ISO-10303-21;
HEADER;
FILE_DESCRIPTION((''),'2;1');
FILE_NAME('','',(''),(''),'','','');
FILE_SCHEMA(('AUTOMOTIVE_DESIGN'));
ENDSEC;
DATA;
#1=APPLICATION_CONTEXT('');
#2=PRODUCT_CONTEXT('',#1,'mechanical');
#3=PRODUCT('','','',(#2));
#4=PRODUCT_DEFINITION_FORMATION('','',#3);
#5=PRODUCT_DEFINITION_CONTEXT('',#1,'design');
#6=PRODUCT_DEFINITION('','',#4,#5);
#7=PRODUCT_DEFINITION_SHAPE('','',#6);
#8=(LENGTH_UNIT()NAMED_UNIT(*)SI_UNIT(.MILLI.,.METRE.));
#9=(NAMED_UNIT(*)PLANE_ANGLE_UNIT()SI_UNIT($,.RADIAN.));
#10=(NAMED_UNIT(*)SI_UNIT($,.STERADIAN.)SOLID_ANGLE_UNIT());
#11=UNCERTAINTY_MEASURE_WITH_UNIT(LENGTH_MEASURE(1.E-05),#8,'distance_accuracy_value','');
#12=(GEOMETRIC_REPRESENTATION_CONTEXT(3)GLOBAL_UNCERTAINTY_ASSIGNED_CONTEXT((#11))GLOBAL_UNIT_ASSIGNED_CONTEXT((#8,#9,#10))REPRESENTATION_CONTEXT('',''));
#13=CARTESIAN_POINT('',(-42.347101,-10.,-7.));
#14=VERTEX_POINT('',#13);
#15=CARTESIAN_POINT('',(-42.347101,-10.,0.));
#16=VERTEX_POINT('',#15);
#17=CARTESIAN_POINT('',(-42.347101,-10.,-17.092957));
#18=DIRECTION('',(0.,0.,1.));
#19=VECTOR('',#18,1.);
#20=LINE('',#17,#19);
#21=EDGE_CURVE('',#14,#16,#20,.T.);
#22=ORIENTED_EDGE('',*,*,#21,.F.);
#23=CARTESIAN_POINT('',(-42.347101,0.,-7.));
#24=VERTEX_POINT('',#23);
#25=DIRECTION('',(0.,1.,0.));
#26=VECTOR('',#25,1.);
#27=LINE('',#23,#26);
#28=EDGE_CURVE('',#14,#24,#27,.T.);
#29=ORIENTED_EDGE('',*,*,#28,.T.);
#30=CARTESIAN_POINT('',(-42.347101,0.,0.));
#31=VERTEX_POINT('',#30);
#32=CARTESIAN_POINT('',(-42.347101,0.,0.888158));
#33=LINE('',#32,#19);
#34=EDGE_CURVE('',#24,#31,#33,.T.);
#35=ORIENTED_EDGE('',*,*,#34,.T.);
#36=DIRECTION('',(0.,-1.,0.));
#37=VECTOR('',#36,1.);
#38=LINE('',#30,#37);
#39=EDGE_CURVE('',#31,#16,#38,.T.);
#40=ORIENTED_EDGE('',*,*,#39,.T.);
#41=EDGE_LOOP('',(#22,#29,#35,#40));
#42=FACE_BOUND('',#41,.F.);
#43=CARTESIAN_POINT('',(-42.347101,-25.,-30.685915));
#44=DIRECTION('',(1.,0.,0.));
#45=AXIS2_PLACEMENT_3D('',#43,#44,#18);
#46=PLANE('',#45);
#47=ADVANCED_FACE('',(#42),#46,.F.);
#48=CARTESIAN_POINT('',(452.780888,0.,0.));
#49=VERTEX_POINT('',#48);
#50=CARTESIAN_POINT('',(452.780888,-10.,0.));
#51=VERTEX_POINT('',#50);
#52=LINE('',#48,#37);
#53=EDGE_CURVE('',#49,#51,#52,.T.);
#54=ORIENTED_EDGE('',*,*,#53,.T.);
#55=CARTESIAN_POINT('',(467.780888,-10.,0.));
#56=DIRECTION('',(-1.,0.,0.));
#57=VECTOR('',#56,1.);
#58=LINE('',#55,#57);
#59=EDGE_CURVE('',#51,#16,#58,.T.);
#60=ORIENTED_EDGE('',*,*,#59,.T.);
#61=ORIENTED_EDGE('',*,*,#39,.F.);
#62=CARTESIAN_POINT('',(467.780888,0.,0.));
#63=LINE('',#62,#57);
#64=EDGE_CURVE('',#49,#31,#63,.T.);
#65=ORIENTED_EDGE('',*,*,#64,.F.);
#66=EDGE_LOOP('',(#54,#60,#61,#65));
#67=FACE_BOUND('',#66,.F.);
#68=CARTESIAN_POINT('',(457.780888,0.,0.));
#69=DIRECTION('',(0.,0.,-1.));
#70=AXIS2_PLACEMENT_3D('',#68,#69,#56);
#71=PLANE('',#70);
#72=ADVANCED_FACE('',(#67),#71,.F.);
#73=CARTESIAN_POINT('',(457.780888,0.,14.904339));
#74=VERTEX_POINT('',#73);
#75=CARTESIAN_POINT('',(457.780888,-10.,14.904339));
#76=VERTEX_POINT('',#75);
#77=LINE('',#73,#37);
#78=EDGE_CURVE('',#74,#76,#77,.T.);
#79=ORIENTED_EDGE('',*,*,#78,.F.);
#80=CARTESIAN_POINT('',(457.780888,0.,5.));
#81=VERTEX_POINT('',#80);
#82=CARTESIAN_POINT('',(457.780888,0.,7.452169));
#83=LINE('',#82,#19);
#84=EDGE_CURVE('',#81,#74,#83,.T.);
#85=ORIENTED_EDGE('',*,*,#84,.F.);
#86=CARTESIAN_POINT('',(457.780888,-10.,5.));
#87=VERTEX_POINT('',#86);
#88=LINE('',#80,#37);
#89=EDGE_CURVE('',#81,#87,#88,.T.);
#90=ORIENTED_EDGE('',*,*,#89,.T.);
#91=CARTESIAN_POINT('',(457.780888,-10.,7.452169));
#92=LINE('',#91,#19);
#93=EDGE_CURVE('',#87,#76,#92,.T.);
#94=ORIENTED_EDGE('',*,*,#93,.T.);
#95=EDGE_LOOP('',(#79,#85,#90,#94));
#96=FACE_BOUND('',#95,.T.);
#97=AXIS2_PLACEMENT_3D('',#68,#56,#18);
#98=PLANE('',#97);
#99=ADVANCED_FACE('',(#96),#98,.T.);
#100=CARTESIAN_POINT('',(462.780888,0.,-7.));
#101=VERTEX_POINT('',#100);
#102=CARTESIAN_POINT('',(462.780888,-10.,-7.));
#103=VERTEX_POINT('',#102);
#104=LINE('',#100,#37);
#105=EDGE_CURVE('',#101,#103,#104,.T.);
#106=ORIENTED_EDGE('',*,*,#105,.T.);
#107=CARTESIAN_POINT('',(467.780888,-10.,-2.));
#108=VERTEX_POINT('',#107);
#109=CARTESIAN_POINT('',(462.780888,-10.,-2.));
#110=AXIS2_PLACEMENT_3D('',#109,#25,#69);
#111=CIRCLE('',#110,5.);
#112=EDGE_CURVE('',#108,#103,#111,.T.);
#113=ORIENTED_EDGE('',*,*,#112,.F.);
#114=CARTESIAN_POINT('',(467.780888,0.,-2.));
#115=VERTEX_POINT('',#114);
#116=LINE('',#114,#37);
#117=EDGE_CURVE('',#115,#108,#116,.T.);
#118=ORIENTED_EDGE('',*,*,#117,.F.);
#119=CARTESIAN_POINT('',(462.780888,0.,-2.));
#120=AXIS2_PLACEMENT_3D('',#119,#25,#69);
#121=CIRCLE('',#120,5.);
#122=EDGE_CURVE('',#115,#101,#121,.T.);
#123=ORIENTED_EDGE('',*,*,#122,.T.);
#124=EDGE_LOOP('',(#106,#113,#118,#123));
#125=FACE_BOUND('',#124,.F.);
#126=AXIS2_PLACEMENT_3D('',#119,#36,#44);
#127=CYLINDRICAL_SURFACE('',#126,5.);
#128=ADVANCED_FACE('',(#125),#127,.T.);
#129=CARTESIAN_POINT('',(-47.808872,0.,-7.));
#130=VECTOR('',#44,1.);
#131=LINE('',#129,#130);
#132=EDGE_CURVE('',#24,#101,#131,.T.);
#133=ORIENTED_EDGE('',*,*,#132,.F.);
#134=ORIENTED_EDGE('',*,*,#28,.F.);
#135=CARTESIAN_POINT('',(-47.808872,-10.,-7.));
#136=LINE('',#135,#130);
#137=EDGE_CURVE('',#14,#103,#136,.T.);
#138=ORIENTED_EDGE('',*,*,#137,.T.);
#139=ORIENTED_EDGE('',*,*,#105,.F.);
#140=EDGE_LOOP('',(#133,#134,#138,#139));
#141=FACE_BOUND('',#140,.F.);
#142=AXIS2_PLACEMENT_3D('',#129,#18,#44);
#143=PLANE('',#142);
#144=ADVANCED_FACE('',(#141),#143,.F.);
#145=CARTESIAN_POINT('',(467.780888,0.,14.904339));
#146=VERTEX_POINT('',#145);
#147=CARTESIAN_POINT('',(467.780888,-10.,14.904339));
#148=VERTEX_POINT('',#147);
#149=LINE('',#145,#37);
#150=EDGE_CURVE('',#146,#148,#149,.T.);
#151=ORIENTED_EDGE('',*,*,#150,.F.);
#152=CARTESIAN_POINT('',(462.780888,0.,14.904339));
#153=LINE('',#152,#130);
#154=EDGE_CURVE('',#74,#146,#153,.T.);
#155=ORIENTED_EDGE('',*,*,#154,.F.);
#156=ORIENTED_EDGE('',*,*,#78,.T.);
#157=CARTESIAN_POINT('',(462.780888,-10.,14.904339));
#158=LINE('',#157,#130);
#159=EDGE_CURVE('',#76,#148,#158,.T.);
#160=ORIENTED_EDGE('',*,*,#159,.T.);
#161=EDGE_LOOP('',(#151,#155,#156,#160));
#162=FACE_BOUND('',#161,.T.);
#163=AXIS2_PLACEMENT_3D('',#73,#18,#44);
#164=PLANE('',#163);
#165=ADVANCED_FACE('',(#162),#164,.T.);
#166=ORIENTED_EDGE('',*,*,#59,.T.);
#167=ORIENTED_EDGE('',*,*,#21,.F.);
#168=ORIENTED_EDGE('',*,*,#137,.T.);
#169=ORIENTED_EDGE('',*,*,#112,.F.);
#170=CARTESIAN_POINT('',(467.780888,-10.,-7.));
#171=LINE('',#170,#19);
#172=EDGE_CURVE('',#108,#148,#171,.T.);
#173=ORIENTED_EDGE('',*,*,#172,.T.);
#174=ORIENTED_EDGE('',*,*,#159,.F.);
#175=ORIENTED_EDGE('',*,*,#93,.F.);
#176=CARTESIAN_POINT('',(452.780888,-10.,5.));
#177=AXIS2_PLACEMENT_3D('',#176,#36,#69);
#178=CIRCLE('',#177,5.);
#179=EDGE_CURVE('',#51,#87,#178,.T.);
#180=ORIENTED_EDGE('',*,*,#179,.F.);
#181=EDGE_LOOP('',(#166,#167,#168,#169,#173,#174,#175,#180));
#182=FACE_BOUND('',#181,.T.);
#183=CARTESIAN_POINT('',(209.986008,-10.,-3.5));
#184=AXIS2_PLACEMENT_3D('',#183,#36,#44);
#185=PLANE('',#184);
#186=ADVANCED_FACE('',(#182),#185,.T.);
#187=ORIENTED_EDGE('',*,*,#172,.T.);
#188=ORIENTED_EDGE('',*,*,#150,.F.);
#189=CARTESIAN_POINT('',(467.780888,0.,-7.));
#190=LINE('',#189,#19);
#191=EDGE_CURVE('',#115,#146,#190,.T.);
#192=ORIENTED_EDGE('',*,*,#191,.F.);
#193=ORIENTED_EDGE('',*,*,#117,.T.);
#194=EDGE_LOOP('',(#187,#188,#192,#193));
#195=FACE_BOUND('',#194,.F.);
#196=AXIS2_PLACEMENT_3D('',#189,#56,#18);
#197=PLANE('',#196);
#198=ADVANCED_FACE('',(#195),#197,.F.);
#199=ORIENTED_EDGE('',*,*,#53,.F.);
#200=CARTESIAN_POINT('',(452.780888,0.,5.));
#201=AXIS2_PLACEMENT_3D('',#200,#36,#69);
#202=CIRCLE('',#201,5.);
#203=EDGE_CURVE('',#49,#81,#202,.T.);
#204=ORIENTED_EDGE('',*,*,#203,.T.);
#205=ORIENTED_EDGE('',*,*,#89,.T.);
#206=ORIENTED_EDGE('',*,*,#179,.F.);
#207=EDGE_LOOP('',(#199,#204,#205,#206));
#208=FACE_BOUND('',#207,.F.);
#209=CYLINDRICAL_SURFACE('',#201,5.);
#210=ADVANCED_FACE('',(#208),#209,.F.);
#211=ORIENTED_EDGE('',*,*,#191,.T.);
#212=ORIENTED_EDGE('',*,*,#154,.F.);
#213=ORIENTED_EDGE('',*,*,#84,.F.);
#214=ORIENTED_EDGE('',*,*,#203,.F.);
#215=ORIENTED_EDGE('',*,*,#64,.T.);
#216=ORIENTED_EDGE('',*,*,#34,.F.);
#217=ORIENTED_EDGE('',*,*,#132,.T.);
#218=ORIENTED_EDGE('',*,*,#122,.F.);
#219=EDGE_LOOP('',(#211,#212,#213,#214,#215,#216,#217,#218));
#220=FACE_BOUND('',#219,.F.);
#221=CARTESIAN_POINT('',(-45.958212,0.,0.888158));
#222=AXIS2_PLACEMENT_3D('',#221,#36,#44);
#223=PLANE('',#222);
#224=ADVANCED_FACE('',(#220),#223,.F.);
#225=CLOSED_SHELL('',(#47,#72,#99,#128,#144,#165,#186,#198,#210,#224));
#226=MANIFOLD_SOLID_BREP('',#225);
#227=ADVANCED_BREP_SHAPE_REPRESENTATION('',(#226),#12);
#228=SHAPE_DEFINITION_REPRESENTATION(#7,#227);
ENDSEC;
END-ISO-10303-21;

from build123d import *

# Parameters (mm, degrees)
F0_W     = 7.2222218177
F0_H     = 63.1481452084
F1_DEPTH = 25
F0_W_2   = 10
F0_H_2   = 10
F0_W_3   = 24.2652441375
F0_H_3   = 6.617795676
F3_W     = 10
F3_H     = 14.9043388665
F4_DEPTH = 10
F5_R     = 5
F6_DEPTH = 25


with BuildPart() as f1:
    # F0 (on Front) → F1 (new body)
    with BuildSketch(Plane.XZ):
        with Locations((-45.9582116171, 0.8881576359)):
            Rectangle(F0_W, F0_H)
    extrude(amount=F1_DEPTH)

    # F3 (on Front) → F4 (join)
    with BuildSketch(Plane.XZ):
        Polygon((457.7808880806, 0), (-47.8088715536, 0), (-47.8088715536, -7), (467.7808880806, -7), (467.7808880806, 0), align=None)
        with Locations((462.7808880806, 7.4521694332)):
            Rectangle(F3_W, F3_H)
    extrude(amount=F4_DEPTH)

    # F5
    f5_edges = [f1.edges().sort_by_distance(p)[0] for p in [
        (457.780888, -5, 0),
        (467.780888, -5, -7),
    ]]
    fillet(f5_edges, radius=F5_R)

    # F6 (cut): a face of the model
    f6_faces = [f1.faces().sort_by_distance(p)[0] for p in [
        (-45.9582116171, -25, 0.8881576359),
    ]]
    extrude(f6_faces, amount=-F6_DEPTH, mode=Mode.SUBTRACT)


with BuildPart() as f1b:
    # F0 (on Front) → F1, piece 2 (new body)
    with BuildSketch(Plane.XZ):
        with Locations((462.6528992917, 20.9807503391)):
            Rectangle(F0_W_2, F0_H_2)
    extrude(amount=F1_DEPTH)


with BuildPart() as f1c:
    # F0 (on Front) → F1, piece 3 (new body)
    with BuildSketch(Plane.XZ):
        with Locations((19.7482968215, 31.2228444964)):
            Rectangle(F0_W_3, F0_H_3)
    extrude(amount=F1_DEPTH)


solid = f1.part
